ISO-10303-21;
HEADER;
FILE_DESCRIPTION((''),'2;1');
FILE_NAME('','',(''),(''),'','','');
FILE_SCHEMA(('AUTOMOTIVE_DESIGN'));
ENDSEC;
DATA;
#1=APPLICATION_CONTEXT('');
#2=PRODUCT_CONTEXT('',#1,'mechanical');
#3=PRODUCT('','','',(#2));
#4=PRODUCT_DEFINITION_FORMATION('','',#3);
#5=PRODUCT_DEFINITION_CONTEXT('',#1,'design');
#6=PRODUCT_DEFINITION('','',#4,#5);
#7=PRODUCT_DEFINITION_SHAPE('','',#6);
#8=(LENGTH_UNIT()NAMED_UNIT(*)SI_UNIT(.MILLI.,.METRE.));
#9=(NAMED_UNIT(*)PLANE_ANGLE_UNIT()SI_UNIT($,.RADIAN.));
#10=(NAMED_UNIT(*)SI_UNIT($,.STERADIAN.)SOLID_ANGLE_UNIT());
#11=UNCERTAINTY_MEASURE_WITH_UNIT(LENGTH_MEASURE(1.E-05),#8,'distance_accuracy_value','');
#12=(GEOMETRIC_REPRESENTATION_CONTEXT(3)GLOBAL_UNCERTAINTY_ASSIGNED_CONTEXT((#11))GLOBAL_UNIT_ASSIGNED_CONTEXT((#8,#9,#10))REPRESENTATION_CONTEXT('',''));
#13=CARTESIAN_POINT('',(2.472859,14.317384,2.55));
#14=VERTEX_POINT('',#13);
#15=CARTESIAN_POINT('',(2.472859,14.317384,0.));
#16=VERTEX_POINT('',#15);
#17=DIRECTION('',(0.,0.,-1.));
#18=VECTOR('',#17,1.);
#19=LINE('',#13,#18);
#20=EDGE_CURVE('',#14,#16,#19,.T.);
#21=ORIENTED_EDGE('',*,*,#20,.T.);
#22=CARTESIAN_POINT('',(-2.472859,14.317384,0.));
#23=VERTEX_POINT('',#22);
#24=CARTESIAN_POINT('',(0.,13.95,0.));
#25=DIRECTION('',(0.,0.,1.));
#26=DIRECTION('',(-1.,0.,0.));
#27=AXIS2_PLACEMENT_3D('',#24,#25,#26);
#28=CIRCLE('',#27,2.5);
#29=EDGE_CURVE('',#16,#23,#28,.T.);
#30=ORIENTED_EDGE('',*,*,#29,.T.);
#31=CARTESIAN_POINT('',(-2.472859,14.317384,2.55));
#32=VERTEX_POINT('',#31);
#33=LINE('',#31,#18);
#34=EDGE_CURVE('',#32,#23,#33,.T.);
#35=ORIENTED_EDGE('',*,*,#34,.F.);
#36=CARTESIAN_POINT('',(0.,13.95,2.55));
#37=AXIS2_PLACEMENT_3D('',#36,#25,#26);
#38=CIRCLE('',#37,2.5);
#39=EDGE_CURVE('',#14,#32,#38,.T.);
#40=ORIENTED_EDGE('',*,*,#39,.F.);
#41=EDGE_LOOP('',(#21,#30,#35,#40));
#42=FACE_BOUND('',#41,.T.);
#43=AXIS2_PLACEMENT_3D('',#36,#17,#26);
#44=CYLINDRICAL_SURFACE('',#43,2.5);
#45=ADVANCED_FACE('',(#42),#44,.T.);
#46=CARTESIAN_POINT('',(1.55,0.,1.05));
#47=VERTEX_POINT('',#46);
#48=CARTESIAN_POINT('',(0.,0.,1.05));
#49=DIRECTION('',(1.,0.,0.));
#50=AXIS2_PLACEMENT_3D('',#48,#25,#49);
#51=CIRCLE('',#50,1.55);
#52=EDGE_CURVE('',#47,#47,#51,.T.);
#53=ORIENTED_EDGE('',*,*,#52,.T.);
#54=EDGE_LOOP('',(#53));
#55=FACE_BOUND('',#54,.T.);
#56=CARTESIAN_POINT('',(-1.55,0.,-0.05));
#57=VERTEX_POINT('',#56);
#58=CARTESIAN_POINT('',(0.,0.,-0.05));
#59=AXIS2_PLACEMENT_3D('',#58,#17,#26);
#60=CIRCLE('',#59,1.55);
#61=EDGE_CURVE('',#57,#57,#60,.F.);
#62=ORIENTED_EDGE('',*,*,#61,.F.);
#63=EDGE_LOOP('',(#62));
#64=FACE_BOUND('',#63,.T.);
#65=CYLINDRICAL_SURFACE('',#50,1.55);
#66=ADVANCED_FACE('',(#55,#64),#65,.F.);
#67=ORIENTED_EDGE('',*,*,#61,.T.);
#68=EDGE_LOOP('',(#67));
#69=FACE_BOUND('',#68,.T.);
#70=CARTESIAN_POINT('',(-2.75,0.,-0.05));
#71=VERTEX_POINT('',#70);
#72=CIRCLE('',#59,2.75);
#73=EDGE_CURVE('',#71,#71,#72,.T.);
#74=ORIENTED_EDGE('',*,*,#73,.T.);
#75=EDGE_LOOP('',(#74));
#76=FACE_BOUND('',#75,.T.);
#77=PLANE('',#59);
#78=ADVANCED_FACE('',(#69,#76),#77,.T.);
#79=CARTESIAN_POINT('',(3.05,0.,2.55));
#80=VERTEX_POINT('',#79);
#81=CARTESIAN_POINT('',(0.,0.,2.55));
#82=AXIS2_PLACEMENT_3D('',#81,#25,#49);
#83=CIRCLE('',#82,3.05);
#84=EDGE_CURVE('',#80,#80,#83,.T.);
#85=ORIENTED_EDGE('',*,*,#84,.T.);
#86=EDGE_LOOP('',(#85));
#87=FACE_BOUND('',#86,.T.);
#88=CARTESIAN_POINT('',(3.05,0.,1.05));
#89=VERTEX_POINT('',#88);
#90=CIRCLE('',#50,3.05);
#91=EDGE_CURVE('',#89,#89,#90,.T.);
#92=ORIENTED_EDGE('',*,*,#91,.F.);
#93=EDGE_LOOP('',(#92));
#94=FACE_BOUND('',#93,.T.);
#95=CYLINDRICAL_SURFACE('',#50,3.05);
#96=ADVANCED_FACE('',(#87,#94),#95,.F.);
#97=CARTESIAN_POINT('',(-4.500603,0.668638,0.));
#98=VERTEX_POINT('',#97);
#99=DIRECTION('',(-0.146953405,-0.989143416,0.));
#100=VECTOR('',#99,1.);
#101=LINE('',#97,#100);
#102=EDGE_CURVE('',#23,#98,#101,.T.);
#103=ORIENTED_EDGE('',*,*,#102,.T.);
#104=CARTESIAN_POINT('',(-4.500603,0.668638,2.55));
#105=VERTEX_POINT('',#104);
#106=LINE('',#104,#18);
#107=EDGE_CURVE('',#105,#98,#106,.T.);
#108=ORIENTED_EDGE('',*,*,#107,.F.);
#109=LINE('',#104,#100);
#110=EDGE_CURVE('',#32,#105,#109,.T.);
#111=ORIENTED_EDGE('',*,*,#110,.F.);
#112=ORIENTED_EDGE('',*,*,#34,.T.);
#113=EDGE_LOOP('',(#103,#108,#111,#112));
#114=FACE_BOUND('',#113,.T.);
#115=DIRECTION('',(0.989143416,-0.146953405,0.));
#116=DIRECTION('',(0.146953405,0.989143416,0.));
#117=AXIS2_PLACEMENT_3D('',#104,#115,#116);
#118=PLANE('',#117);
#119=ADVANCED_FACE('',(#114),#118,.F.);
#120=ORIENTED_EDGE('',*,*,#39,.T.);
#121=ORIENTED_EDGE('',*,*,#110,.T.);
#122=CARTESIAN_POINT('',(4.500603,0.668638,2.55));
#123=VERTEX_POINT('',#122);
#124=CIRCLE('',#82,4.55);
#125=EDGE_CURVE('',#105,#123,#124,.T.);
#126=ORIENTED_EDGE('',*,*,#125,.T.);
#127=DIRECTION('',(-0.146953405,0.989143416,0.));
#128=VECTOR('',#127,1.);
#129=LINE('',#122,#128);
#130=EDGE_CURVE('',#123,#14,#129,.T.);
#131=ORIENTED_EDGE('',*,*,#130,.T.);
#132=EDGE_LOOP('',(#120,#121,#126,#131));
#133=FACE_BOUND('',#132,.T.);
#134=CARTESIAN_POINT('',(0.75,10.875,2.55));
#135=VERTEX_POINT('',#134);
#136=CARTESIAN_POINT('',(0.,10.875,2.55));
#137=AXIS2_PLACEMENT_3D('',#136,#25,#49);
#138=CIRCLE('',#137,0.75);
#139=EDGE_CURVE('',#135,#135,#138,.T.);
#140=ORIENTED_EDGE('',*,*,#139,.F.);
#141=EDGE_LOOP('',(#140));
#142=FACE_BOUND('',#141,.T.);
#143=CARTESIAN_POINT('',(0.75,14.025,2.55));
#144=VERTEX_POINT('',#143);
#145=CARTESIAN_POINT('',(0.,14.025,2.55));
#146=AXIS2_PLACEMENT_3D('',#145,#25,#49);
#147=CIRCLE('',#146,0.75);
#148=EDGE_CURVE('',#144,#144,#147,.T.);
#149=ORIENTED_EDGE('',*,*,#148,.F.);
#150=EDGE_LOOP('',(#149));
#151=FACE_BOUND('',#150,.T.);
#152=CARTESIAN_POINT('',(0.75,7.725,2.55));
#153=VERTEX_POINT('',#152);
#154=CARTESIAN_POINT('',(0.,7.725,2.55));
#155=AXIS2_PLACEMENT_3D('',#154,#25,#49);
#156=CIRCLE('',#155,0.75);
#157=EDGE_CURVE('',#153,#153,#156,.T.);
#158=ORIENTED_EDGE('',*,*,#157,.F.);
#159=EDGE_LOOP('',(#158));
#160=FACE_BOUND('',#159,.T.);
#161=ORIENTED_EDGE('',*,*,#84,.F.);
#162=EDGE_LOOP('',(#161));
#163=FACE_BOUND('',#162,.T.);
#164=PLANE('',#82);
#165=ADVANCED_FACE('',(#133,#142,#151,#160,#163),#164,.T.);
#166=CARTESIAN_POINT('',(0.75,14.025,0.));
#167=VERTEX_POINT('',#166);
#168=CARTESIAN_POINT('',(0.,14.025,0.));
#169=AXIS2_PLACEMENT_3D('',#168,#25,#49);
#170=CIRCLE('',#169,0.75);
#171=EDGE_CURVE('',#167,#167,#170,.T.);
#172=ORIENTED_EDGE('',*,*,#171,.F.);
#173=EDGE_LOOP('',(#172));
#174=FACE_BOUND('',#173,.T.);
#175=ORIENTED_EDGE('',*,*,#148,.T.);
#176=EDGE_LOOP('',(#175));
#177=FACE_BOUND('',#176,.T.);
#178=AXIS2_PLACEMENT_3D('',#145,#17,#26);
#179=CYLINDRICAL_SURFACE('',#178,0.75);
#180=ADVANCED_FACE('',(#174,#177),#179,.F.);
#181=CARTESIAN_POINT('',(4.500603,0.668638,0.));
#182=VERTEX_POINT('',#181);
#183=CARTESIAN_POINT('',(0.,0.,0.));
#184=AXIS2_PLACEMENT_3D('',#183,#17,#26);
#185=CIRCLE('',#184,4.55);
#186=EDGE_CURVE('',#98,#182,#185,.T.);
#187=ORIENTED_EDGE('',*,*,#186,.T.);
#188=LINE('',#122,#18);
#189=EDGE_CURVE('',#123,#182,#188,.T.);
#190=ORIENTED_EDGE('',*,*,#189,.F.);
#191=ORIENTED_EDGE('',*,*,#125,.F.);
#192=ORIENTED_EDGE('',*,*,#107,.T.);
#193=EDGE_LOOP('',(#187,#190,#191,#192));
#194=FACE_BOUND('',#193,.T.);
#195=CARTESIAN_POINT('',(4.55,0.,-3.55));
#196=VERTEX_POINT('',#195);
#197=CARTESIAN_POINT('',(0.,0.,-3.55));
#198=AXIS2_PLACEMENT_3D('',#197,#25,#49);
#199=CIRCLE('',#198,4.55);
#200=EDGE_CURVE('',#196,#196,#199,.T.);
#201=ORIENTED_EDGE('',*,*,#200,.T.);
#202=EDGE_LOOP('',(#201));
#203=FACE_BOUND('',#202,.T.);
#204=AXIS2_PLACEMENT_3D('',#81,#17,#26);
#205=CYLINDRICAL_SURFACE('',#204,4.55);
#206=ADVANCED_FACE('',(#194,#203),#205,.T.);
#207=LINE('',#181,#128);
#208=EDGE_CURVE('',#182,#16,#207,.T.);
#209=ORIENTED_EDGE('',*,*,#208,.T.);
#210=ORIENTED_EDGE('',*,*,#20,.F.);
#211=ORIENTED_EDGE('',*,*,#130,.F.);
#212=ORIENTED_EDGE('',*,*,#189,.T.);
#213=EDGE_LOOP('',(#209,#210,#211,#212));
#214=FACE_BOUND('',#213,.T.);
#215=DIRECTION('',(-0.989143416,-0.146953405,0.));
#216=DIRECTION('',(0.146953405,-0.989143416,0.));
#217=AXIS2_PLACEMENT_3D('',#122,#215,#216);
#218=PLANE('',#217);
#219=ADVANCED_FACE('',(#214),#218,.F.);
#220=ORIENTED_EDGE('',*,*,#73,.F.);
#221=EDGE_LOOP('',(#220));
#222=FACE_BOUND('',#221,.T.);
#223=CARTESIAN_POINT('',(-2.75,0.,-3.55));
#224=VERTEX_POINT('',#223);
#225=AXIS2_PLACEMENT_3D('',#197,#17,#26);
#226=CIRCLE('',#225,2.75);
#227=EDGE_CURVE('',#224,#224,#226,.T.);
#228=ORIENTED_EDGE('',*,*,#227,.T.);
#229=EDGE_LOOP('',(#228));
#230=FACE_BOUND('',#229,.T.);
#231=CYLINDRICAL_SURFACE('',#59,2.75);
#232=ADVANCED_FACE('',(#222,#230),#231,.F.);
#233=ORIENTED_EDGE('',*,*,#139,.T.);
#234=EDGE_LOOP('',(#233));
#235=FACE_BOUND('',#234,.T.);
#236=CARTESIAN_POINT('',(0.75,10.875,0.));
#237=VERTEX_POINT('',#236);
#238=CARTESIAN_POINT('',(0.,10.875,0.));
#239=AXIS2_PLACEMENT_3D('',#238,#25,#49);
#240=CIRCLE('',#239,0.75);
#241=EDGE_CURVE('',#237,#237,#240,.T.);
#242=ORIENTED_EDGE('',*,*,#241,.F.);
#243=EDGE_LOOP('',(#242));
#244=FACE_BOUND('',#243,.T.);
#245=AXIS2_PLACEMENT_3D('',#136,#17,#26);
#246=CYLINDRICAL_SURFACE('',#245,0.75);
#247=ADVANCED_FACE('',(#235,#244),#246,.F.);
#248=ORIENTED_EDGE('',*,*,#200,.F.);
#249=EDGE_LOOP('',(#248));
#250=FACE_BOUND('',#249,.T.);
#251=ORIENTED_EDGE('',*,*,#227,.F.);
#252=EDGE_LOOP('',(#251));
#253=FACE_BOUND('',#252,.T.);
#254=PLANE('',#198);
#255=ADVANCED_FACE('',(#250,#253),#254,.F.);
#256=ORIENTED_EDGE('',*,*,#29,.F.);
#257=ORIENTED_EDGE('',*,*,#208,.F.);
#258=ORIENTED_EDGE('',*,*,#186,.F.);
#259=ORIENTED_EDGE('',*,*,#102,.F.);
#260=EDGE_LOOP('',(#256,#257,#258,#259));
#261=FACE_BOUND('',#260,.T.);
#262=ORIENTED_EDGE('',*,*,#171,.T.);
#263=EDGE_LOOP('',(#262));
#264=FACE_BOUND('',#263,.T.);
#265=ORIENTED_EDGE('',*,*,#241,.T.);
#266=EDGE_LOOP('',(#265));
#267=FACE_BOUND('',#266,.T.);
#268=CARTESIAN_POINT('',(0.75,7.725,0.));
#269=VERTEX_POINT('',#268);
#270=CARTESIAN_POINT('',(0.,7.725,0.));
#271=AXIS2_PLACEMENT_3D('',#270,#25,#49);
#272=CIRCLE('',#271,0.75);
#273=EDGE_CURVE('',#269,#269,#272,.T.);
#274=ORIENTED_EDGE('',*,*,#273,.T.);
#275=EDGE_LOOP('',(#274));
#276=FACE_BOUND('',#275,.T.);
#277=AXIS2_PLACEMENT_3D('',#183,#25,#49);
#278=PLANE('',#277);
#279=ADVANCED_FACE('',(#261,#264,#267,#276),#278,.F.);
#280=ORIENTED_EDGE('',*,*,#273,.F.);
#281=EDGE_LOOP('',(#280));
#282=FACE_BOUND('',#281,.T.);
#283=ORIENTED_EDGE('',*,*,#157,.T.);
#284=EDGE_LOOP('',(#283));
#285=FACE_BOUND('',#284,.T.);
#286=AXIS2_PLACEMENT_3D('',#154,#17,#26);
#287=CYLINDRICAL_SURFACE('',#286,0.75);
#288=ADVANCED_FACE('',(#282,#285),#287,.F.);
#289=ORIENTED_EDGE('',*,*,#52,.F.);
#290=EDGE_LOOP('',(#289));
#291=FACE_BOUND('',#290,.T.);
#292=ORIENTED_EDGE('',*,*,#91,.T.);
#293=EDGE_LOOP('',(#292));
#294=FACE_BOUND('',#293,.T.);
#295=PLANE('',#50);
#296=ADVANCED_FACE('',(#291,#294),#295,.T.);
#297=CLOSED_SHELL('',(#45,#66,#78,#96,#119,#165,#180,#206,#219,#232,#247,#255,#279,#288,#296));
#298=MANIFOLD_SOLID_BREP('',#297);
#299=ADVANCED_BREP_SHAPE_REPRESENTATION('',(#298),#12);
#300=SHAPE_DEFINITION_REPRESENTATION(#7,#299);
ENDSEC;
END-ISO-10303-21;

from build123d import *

# Parameters (mm, degrees)
ESQUISSE1_R                     = 0.75
BOSS_EXTRU_1_DEPTH              = 2.55
ESQUISSE2_R                     = 4.55
BOSS_EXTRU_2_DEPTH              = 3.55
ESQUISSE3_R                     = 3.05
ENL_V_MAT_EXTRU_1_DEPTH         = 1.5
DIAM_TRE_DU_PER_AGE_3_1_3_1_1_D = 3.1
ESQUISSE6_R                     = 2.75
ENL_V_MAT_EXTRU_2_DEPTH         = 3.5


with BuildPart() as part:
    # Esquisse1 → Boss.-Extru.1 (new body)
    with BuildSketch(Plane.XY):
        with BuildLine():
            Line((-4.500602541, 0.668637993), (-2.472858539, 14.317383513))
            ThreePointArc((-2.472858539, 14.317383513), (0, 16.45), (2.472858539, 14.317383513))
            Line((2.472858539, 14.317383513), (4.500602541, 0.668637993))
            ThreePointArc((4.500602541, 0.668637993), (0, -4.55), (-4.500602541, 0.668637993))
        make_face()
        with Locations((0, 7.725)):
            Circle(ESQUISSE1_R, mode=Mode.SUBTRACT)
        with Locations((0, 10.875)):
            Circle(ESQUISSE1_R, mode=Mode.SUBTRACT)
        with Locations((0, 14.025)):
            Circle(ESQUISSE1_R, mode=Mode.SUBTRACT)
    extrude(amount=BOSS_EXTRU_1_DEPTH)

    # Esquisse2 → Boss.-Extru.2 (add)
    with BuildSketch(Plane(origin=(0, 0, 0), x_dir=(-1, 0, 0), z_dir=(0, 0, -1))):
        Circle(ESQUISSE2_R)
    extrude(amount=BOSS_EXTRU_2_DEPTH)

    # Esquisse3 → Enlèv. mat.-Extru.1 (cut)
    with BuildSketch(Plane.XY.offset(2.55)):
        Circle(ESQUISSE3_R)
    extrude(amount=-ENL_V_MAT_EXTRU_1_DEPTH, mode=Mode.SUBTRACT)

    # Diamètre du perçage Ø3.1 (3.1)1 (through all)
    with Locations(Plane.XY.offset(1.05)):
        with Locations((0, 0)):
            Hole(DIAM_TRE_DU_PER_AGE_3_1_3_1_1_D / 2)

    # Esquisse6 → Enlèv. mat.-Extru.2 (cut)
    with BuildSketch(Plane(origin=(0, 0, -3.55), x_dir=(-1, 0, 0), z_dir=(0, 0, -1))):
        Circle(ESQUISSE6_R)
    extrude(amount=-ENL_V_MAT_EXTRU_2_DEPTH, mode=Mode.SUBTRACT)


solid = part.part
